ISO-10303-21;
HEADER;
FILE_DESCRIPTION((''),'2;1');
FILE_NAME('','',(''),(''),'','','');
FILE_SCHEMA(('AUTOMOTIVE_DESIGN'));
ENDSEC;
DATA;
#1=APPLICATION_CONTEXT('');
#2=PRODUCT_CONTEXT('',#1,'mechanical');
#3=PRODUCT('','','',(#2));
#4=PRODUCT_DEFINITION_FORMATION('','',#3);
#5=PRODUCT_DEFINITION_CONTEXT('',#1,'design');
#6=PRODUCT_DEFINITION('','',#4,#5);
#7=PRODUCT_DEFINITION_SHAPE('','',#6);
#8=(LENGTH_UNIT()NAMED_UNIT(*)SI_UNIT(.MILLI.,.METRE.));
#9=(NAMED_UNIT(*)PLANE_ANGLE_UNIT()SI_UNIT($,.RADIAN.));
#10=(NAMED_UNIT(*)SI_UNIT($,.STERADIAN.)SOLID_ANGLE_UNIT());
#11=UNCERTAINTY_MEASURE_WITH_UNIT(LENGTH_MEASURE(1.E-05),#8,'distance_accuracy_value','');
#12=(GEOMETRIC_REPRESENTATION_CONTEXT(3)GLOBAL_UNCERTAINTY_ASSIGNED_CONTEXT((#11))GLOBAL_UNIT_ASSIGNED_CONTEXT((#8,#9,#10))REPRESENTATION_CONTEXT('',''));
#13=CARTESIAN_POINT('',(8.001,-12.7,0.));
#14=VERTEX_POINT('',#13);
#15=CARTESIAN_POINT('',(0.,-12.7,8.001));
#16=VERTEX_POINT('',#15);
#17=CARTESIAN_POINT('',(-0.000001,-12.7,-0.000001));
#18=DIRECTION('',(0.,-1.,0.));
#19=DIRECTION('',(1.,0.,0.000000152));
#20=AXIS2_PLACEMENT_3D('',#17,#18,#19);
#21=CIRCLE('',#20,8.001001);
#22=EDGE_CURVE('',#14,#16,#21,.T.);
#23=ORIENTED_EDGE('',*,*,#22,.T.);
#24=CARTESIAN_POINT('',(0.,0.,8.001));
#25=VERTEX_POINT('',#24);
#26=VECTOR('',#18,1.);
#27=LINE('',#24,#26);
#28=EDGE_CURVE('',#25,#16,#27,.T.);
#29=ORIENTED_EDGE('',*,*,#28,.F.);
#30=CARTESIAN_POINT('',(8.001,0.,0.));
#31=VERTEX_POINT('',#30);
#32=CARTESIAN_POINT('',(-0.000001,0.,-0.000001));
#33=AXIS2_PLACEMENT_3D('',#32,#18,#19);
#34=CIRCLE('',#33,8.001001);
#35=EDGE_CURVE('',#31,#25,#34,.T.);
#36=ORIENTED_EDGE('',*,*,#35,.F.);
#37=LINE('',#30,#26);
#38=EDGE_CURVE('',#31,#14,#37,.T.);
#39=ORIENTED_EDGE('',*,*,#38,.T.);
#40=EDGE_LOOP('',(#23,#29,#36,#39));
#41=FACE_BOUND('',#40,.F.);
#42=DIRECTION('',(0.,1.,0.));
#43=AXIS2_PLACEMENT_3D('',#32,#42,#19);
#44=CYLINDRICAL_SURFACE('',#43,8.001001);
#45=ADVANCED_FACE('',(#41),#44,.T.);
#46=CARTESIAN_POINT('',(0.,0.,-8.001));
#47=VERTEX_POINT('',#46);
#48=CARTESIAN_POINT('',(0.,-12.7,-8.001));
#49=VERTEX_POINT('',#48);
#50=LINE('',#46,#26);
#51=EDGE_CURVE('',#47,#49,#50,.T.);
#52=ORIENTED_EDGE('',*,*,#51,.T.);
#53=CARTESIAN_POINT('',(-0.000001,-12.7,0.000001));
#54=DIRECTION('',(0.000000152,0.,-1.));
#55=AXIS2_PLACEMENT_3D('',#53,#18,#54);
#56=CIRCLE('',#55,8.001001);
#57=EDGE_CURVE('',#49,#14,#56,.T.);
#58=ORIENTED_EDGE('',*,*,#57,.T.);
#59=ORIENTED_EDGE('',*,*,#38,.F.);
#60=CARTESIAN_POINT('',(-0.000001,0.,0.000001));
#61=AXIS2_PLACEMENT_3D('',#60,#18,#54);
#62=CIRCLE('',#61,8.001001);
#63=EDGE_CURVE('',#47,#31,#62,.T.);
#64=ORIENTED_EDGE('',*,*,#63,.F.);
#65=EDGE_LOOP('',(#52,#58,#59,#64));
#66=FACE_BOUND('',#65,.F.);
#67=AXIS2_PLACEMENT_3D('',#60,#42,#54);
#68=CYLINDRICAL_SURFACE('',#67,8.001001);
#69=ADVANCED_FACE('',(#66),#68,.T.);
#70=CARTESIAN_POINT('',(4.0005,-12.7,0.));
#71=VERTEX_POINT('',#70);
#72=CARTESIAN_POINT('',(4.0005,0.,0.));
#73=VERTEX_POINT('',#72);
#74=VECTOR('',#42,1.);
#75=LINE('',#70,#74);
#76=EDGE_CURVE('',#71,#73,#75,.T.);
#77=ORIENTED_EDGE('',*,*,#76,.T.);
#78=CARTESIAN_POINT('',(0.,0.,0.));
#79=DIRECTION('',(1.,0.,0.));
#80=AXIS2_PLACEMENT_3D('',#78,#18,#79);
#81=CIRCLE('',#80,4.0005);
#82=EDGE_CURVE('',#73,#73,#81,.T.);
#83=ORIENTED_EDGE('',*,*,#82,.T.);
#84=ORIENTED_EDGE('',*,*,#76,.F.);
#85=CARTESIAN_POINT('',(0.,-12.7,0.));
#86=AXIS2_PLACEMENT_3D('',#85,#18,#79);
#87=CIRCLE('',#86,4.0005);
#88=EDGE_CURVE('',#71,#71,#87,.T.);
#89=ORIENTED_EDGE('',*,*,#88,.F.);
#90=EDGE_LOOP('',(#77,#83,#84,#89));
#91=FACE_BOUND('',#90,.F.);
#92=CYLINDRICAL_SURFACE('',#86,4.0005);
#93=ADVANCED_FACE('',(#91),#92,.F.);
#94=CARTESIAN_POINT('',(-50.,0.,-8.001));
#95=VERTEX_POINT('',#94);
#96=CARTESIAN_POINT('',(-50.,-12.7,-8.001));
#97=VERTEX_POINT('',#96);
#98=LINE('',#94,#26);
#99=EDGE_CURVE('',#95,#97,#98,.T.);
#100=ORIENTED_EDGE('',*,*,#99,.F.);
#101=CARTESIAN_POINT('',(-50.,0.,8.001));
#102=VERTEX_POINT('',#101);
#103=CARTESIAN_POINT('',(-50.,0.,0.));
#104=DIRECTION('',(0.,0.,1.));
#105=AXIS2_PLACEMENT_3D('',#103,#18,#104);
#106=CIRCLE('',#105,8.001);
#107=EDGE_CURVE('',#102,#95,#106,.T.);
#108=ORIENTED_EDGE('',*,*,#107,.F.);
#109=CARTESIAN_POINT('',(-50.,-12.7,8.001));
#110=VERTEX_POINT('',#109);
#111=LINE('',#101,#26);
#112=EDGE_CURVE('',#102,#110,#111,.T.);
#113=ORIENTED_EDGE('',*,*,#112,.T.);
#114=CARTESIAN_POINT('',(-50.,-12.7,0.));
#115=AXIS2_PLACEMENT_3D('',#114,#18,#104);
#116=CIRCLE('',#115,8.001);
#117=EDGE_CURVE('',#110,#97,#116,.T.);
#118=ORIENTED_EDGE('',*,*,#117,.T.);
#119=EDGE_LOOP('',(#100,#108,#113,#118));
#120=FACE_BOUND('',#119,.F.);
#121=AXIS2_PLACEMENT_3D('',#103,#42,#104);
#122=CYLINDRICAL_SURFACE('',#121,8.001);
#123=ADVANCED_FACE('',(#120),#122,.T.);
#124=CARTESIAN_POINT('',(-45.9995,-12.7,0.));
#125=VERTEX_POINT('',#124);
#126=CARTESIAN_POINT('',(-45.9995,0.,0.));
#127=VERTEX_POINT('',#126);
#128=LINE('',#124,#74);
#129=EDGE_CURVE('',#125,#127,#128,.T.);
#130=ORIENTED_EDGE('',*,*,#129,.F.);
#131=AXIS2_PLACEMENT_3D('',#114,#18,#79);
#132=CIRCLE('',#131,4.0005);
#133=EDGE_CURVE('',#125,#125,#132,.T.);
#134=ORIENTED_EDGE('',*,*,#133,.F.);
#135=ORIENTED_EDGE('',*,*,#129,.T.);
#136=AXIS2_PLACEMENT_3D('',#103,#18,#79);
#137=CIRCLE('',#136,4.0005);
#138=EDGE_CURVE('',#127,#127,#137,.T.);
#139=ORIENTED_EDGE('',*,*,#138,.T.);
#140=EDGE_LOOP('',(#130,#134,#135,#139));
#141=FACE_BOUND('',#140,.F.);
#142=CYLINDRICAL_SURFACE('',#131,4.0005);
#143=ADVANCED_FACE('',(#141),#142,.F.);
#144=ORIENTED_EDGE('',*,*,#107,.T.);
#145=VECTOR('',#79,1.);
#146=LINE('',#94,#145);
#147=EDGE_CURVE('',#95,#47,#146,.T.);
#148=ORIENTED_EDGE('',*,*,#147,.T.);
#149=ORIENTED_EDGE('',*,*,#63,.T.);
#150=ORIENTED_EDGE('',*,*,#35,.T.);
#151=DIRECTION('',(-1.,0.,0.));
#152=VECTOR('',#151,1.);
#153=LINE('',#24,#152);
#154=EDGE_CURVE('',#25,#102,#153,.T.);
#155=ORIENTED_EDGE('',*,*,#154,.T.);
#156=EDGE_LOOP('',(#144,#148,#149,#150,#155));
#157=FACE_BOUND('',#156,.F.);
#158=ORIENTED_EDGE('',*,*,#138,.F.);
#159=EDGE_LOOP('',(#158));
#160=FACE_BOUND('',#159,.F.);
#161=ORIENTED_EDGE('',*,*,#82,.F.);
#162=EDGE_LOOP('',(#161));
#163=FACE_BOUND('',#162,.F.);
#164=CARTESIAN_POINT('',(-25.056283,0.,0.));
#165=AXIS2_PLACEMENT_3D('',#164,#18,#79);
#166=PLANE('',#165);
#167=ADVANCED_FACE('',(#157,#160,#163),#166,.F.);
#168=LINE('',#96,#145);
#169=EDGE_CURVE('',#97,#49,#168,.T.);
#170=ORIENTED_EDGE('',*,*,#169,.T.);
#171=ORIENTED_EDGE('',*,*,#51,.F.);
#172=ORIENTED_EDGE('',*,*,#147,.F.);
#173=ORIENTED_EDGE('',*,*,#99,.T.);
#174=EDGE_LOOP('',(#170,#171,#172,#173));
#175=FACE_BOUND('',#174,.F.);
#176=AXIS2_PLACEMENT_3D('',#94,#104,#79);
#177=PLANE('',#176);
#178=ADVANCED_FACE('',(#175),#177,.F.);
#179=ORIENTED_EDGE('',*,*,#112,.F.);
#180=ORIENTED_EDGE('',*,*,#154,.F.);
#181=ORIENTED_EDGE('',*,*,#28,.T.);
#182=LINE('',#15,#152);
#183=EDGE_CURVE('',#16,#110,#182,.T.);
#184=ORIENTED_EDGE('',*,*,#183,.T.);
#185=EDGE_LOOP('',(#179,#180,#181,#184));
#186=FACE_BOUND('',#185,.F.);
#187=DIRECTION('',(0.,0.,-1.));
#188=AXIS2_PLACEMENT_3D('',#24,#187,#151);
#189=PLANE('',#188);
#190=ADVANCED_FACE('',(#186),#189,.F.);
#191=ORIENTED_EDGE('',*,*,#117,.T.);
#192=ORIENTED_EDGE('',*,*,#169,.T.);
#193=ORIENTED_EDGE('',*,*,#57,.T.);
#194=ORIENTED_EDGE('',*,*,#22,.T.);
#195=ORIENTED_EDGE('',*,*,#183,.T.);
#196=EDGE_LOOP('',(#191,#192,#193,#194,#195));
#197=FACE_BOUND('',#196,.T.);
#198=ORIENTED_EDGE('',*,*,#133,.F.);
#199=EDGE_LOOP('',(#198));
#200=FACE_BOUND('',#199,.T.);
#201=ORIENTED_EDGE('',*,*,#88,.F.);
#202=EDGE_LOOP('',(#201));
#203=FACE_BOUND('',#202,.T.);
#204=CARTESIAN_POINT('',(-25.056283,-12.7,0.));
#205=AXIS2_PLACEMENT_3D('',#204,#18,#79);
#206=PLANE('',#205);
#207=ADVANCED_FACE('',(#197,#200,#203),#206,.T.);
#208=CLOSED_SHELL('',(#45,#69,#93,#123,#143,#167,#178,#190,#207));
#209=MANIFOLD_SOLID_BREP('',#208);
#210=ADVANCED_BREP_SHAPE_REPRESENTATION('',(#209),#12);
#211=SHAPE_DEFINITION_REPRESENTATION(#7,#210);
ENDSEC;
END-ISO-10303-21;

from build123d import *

# Parameters (mm, degrees)
F1_DEPTH = 12.7
F2_R     = 4.0005
F3_DEPTH = 12.7


with BuildPart() as f1:
    # F0 (on Front) → F1 (new body)
    with BuildSketch(Plane.XZ):
        with BuildLine():
            ThreePointArc((0, -8.001), (-8.001, 0), (0, 8.001))
            Line((0, 8.001), (-50, 8.001))
            ThreePointArc((-50, 8.001), (-44.342439, 5.657561), (-41.999, 0))
            ThreePointArc((-41.999, 0), (-44.342439, -5.657561), (-50, -8.001))
            Line((-50, -8.001), (0, -8.001))
        make_face()
        with BuildLine():
            ThreePointArc((-41.999, 0), (-44.342439, 5.657561), (-50, 8.001))
            ThreePointArc((-50, 8.001), (-58.001, 0), (-50, -8.001))
            ThreePointArc((-50, -8.001), (-44.342439, -5.657561), (-41.999, 0))
        make_face()
        with BuildLine():
            ThreePointArc((0, -8.001), (5.657561, -5.657561), (8.001, 0))
            ThreePointArc((8.001, 0), (5.657561, 5.657561), (0, 8.001))
            ThreePointArc((0, 8.001), (-8.001, 0), (0, -8.001))
        make_face()
    extrude(amount=F1_DEPTH)

    # F2 (on face) → F3 (cut, through all)
    with BuildSketch(Plane.XZ.offset(12.7)):
        with Locations((-50, 0)):
            Circle(F2_R)
        Circle(F2_R)
    extrude(amount=-F3_DEPTH, mode=Mode.SUBTRACT)


solid = f1.part
